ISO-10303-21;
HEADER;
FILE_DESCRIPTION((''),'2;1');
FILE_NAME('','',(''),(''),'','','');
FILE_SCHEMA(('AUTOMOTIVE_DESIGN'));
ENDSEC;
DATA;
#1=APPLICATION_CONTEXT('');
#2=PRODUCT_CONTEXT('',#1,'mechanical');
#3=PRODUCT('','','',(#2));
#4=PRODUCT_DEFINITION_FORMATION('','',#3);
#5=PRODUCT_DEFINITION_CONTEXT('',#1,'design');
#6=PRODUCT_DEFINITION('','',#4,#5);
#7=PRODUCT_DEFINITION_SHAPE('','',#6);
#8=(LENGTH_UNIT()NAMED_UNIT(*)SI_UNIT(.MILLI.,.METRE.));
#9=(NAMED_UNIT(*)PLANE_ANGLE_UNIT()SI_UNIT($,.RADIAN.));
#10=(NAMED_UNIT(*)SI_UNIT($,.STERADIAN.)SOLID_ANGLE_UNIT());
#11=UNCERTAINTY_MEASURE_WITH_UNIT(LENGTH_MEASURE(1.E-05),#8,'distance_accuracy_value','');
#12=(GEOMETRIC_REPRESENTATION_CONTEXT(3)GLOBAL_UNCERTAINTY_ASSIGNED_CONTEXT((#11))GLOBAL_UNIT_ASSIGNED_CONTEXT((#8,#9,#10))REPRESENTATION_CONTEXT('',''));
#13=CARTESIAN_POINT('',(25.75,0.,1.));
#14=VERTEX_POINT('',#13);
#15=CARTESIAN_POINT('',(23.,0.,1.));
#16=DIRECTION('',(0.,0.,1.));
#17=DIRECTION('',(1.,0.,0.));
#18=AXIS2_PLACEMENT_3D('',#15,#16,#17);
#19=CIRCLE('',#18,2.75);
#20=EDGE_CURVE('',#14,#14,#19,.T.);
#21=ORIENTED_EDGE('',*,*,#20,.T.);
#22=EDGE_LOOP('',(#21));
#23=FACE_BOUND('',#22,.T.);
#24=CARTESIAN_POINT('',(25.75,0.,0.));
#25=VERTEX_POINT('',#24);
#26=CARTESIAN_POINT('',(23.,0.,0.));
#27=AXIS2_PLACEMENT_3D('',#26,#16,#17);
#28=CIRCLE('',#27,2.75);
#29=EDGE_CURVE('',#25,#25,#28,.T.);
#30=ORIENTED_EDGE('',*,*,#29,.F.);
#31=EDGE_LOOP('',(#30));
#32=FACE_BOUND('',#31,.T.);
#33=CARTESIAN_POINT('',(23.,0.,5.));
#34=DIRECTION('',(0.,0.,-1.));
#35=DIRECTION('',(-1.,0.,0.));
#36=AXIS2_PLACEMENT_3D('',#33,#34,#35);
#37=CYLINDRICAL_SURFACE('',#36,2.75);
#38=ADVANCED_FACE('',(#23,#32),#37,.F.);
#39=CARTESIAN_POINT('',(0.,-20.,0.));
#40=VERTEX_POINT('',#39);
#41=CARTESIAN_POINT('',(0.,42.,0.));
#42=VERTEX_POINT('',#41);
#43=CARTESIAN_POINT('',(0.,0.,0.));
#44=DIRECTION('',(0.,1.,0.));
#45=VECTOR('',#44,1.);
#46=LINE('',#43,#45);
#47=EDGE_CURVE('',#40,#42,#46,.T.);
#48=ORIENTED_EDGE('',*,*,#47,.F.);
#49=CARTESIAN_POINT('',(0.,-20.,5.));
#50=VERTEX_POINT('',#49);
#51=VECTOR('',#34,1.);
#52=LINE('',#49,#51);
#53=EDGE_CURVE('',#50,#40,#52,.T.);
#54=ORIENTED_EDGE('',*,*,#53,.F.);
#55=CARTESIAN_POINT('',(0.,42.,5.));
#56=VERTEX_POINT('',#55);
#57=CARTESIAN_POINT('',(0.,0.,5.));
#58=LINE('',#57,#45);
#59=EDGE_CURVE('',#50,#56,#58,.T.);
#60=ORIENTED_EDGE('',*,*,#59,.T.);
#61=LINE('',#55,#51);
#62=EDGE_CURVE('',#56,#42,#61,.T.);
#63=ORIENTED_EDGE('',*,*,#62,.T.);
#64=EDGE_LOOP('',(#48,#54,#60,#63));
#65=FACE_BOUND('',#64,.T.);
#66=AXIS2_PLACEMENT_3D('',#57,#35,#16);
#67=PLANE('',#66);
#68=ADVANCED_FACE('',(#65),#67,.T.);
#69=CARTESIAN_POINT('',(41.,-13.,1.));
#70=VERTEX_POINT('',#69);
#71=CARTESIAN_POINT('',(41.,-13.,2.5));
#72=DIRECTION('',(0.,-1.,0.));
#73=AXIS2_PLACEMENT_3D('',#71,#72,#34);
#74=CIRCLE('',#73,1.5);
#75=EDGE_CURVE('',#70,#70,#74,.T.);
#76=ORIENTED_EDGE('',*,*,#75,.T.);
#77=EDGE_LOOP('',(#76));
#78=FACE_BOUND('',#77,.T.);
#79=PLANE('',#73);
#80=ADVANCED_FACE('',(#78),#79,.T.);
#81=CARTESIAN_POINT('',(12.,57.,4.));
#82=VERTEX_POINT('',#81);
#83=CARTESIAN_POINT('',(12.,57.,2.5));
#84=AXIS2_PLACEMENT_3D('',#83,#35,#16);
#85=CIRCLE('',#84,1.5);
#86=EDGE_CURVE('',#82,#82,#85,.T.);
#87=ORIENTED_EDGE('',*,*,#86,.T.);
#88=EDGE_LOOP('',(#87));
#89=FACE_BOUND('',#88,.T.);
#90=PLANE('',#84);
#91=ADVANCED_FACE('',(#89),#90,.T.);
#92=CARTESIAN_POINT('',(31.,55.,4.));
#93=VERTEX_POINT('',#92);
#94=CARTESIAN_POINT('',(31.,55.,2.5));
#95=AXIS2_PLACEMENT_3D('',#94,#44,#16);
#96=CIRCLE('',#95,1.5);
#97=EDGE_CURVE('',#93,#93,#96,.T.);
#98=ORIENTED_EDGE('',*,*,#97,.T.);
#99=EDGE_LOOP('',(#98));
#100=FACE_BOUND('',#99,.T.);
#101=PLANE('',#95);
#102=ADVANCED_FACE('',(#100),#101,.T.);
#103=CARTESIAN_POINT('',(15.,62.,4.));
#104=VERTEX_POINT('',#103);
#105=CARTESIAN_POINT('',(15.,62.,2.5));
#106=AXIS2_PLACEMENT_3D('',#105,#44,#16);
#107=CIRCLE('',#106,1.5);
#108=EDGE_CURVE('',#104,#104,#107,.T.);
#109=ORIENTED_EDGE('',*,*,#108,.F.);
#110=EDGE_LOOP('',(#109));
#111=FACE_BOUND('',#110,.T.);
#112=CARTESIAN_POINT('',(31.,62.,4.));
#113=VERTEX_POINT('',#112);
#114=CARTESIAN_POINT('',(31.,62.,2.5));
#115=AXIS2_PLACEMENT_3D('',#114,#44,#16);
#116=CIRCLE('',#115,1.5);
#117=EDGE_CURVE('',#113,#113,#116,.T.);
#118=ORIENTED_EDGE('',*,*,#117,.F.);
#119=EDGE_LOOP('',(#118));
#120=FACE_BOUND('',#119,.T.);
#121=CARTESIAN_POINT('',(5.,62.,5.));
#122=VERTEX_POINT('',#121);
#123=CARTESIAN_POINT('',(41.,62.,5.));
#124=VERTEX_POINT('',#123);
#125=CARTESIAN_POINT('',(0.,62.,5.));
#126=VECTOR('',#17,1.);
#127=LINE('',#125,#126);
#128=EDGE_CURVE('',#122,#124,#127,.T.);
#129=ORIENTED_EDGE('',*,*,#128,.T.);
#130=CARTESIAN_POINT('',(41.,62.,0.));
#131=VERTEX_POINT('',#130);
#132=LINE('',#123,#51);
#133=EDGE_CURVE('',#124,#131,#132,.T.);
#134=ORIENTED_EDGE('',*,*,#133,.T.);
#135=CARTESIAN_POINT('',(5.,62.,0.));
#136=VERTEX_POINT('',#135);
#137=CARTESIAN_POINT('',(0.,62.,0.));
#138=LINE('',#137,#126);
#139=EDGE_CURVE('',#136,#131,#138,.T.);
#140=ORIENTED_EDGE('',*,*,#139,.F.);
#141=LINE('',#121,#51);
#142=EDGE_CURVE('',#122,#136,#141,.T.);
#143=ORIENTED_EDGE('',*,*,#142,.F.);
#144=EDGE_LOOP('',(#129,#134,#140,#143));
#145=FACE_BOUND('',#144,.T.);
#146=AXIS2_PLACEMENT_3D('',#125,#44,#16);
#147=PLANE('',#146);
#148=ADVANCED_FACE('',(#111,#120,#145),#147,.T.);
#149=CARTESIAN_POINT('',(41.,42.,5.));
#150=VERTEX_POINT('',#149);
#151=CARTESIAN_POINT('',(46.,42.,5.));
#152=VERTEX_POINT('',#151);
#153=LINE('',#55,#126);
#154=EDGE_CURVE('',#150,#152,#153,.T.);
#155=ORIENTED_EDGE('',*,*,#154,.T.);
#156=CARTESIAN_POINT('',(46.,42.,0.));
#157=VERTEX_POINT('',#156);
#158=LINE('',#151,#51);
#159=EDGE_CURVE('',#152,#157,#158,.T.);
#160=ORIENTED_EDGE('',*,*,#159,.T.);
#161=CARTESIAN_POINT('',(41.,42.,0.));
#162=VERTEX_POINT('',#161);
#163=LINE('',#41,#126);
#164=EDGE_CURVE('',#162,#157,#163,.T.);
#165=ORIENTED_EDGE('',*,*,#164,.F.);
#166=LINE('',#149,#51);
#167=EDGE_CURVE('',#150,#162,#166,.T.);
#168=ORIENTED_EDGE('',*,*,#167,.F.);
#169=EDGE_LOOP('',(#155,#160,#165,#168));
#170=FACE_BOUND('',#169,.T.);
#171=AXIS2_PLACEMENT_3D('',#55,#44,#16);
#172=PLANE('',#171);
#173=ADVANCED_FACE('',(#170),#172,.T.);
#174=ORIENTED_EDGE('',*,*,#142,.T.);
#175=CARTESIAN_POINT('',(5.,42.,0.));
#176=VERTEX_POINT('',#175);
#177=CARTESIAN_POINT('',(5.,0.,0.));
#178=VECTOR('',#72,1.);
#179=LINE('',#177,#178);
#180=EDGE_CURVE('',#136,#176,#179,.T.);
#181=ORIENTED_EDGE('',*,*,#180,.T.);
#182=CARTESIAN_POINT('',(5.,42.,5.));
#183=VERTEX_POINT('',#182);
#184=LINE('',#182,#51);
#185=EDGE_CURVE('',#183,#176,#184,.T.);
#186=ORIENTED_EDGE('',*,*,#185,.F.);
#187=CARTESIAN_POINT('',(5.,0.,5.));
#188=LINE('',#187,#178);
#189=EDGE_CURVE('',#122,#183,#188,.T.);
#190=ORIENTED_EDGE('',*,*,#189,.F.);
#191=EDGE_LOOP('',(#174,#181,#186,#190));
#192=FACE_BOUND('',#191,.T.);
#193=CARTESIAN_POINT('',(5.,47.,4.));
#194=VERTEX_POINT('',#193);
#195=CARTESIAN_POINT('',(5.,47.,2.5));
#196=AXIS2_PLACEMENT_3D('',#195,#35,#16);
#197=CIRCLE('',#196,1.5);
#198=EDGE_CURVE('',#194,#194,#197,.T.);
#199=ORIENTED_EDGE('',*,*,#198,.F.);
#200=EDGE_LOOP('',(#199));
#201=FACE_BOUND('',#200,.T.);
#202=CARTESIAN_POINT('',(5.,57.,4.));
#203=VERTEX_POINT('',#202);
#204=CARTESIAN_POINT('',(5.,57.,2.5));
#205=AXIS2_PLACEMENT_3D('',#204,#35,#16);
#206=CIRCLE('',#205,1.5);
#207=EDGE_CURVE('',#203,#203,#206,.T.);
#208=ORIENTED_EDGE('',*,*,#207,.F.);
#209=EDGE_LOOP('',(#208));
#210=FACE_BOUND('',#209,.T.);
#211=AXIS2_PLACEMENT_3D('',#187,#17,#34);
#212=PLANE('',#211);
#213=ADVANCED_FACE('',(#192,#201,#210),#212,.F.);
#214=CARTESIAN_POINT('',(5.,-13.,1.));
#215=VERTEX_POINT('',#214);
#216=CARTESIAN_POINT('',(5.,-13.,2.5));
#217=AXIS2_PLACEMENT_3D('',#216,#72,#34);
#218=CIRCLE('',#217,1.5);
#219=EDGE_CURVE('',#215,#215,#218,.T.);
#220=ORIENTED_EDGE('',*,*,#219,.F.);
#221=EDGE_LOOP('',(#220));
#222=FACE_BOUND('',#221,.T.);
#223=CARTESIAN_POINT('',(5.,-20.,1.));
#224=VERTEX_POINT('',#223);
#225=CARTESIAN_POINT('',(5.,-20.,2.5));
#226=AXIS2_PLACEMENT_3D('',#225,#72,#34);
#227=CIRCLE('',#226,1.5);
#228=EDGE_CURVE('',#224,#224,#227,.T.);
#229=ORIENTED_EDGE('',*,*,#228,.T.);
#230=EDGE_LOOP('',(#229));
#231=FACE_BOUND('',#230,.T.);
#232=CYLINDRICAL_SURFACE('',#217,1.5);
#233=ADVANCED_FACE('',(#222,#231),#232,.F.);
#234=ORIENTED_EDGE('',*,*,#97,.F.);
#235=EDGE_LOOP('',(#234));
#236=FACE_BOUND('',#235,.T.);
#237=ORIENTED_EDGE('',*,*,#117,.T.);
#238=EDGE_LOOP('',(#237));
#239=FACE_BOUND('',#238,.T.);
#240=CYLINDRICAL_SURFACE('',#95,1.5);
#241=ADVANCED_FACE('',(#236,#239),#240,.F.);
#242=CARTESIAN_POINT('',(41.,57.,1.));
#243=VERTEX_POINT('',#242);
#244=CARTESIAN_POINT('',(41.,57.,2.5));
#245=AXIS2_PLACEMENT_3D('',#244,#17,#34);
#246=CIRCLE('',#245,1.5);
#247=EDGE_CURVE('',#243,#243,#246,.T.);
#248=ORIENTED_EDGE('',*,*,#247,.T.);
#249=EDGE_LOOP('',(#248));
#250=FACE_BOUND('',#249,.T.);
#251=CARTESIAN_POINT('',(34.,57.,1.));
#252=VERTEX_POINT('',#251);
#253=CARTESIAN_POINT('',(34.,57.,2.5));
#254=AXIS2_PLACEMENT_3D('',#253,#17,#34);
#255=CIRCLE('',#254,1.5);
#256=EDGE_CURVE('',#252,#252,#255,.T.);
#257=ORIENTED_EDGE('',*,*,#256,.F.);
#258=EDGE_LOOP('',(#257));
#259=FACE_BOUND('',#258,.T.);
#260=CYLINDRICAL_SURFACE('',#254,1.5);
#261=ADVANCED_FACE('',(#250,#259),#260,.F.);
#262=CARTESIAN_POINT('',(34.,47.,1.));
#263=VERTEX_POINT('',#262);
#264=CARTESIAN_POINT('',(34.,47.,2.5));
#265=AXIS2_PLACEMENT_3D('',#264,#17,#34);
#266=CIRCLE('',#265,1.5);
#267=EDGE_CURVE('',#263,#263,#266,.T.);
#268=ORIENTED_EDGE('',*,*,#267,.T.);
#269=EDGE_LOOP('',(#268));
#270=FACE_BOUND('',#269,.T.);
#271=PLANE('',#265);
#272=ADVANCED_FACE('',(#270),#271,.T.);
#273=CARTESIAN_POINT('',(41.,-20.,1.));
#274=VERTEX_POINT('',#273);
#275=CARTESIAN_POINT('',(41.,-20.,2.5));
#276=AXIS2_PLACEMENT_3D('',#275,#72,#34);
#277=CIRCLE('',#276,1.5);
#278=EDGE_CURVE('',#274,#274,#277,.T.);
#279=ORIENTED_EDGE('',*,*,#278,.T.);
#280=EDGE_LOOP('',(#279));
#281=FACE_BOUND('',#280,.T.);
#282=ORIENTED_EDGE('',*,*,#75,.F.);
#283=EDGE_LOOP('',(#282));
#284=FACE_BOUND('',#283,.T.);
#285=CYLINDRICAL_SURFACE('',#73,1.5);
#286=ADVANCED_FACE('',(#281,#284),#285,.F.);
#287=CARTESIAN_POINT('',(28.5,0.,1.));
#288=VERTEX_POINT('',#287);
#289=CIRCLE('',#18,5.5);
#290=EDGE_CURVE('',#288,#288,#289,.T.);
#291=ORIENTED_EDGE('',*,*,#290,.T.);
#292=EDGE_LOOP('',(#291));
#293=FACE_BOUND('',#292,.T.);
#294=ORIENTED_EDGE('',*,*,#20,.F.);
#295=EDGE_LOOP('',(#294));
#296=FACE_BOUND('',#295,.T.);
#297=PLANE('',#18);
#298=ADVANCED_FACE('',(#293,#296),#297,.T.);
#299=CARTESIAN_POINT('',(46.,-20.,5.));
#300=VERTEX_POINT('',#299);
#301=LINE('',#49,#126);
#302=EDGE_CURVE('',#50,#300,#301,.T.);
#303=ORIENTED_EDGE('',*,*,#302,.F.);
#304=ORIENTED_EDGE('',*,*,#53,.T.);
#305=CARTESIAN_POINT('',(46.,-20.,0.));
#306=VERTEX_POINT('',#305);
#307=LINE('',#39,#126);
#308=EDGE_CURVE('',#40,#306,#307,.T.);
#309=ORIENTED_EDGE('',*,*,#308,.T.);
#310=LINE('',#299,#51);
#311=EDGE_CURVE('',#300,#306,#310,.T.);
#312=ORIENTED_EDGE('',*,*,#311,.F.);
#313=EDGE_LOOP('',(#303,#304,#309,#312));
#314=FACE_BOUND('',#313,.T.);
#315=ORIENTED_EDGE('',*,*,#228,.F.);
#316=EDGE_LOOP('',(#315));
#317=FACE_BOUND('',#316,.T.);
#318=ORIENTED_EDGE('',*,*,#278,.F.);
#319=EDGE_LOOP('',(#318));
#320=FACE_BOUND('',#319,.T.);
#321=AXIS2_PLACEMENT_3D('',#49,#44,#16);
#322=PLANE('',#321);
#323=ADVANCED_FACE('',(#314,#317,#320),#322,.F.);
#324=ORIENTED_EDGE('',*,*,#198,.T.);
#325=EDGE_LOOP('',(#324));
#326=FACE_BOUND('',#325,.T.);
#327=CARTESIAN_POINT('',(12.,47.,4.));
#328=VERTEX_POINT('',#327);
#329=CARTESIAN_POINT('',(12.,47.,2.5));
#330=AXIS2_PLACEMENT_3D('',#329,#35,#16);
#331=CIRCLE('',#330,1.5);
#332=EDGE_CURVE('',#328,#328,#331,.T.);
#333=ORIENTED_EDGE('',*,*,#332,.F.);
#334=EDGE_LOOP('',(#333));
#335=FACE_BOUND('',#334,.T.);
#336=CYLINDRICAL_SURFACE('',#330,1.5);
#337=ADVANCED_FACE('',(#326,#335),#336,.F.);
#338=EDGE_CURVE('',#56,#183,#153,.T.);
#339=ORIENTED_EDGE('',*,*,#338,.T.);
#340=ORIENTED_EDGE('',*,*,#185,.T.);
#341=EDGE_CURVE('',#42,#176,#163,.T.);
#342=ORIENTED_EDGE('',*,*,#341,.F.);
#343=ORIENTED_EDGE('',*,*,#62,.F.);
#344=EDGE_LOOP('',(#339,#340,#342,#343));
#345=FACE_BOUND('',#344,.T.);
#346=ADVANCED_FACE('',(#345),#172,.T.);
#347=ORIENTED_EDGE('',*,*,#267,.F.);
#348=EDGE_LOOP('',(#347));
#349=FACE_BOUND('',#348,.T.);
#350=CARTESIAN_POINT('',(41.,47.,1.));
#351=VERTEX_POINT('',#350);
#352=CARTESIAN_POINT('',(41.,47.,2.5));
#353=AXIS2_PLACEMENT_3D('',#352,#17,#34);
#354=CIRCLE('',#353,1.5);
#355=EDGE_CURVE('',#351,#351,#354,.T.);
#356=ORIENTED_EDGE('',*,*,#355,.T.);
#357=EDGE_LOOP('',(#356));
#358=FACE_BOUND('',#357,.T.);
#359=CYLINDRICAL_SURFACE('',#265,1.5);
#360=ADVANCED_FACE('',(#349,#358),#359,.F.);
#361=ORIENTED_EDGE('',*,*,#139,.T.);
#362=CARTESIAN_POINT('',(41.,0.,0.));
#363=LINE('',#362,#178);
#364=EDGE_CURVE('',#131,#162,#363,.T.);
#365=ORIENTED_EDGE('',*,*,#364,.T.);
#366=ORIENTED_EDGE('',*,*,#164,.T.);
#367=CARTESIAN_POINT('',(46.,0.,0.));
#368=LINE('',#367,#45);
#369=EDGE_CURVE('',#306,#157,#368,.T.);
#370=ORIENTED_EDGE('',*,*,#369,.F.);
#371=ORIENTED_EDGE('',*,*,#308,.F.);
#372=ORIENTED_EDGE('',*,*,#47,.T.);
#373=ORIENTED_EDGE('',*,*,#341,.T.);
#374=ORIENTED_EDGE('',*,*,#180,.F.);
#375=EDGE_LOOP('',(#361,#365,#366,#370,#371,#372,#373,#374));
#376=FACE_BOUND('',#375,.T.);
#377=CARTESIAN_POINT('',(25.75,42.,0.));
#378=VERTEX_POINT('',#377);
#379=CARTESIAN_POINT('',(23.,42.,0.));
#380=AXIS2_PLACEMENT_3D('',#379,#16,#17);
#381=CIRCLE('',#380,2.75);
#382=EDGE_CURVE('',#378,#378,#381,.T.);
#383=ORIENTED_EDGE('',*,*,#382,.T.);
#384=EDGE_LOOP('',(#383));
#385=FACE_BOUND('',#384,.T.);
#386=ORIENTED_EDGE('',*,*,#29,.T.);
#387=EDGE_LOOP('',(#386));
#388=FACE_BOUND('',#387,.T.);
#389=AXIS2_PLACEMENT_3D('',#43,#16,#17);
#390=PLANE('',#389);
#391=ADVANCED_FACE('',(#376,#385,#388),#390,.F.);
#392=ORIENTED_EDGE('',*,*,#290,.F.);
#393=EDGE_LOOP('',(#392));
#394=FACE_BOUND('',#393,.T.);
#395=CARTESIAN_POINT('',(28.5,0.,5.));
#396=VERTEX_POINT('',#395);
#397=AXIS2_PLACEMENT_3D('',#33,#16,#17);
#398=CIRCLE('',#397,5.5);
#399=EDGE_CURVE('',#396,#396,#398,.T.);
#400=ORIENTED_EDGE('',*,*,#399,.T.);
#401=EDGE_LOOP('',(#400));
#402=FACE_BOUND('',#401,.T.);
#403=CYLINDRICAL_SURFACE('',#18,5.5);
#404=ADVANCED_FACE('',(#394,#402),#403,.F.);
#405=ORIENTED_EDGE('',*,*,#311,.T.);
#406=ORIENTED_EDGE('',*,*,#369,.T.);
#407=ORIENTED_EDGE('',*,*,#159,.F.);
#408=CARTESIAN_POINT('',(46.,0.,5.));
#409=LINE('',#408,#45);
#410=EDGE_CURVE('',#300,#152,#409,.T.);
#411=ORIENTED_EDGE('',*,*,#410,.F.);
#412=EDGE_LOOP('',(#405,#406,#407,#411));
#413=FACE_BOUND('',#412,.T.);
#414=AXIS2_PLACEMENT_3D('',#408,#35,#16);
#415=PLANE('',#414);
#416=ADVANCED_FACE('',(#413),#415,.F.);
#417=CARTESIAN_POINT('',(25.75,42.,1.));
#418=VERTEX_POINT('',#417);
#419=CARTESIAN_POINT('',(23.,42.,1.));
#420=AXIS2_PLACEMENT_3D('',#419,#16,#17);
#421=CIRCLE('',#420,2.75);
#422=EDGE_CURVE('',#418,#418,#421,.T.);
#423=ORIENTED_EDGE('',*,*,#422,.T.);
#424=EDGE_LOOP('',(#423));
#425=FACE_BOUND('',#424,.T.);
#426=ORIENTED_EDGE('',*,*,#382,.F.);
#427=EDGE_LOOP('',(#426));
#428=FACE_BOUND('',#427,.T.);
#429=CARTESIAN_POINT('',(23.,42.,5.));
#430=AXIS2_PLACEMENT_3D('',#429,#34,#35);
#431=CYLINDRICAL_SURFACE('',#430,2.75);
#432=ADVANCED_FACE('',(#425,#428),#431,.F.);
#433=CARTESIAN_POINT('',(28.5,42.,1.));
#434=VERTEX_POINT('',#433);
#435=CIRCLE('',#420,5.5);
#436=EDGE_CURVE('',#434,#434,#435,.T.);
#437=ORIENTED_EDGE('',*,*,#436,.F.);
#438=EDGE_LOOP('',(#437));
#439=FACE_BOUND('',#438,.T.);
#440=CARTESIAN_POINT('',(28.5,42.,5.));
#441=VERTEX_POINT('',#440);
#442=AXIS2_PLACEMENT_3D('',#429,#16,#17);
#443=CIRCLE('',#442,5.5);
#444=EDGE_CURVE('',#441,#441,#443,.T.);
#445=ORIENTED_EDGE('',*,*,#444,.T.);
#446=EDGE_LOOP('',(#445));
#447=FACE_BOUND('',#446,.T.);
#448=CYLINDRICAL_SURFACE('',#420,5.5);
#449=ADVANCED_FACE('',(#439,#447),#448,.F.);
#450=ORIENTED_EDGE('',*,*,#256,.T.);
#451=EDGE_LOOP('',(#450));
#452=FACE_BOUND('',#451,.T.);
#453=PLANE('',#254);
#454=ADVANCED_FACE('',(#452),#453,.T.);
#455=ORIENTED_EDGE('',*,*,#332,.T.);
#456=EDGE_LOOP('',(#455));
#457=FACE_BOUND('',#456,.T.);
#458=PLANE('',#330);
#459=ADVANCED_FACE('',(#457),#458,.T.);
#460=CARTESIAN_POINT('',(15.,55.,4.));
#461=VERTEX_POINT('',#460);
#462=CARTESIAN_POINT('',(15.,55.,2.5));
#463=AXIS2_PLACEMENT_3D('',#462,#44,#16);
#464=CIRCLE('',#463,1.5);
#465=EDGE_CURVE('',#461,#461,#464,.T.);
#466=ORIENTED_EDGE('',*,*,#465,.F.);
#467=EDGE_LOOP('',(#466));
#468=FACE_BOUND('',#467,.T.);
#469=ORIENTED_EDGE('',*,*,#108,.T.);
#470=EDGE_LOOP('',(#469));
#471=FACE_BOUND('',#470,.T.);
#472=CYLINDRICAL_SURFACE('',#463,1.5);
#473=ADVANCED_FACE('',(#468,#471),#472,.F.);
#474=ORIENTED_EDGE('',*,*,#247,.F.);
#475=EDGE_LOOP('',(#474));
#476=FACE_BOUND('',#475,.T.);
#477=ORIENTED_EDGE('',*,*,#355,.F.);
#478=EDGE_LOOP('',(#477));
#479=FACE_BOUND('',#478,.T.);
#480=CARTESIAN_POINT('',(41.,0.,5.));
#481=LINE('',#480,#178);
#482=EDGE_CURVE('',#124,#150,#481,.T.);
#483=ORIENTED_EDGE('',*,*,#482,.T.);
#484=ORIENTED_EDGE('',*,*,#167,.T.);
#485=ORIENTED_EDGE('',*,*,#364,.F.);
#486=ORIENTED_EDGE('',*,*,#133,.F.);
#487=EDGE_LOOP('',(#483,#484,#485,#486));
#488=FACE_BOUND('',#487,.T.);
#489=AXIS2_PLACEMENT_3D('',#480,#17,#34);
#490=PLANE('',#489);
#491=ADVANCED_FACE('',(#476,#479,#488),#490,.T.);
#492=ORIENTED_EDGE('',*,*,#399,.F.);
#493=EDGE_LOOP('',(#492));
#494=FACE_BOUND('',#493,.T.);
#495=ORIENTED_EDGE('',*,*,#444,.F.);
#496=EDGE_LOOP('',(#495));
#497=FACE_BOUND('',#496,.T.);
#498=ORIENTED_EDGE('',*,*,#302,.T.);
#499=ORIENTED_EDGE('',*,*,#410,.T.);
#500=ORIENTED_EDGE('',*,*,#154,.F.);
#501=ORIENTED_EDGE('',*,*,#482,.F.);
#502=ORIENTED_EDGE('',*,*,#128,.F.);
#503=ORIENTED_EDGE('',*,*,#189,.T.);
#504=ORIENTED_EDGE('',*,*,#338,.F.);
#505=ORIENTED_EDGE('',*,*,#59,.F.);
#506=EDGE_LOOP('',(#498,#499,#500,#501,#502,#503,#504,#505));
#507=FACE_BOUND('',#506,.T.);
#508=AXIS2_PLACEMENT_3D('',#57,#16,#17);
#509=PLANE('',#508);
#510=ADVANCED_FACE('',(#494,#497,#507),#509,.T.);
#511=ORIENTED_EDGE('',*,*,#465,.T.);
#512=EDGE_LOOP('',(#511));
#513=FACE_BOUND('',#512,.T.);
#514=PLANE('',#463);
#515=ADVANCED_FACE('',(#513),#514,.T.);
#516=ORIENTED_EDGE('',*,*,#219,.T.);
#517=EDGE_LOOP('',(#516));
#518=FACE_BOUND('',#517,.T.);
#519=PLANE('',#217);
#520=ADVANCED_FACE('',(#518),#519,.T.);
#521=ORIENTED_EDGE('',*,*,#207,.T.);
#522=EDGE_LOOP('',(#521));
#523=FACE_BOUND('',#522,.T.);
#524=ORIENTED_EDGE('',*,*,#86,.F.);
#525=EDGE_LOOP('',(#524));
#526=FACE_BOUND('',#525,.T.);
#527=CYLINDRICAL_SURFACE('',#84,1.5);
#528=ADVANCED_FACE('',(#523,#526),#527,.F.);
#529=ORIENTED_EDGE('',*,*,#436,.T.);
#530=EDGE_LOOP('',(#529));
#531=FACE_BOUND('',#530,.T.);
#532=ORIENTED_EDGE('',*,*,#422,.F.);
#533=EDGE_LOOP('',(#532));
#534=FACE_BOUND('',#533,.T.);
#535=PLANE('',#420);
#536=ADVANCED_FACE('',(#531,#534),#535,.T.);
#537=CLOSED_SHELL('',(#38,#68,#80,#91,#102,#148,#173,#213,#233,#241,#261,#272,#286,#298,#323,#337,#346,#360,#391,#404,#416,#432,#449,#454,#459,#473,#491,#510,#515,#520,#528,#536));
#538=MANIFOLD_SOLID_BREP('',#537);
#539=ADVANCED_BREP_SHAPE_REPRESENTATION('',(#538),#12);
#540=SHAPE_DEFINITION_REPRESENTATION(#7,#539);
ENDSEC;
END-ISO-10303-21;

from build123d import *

# Parameters (mm, degrees)
SKETCH1_R           = 2.75
BOSS_EXTRUDE1_DEPTH = 5
SKETCH3_R           = 5.5
CUT_EXTRUDE2_DEPTH  = 4
SKETCH5_R           = 1.5
CUT_EXTRUDE3_DEPTH  = 7
SKETCH6_R           = 1.5
CUT_EXTRUDE4_DEPTH  = 7
CUT_EXTRUDE5_START  = -7
SKETCH7_R           = 1.5
CUT_EXTRUDE5_DEPTH  = 7
SKETCH8_R           = 1.5
CUT_EXTRUDE6_DEPTH  = 7


with BuildPart() as part:
    # Sketch1 → Boss-Extrude1 (new body)
    with BuildSketch(Plane.XY):
        Polygon((0, 42), (0, -20), (46, -20), (46, 42), (41, 42), (41, 62), (5, 62), (5, 42), align=None)
        with Locations((23, 42)):
            Circle(SKETCH1_R, mode=Mode.SUBTRACT)
        with Locations((23, 0)):
            Circle(SKETCH1_R, mode=Mode.SUBTRACT)
    extrude(amount=BOSS_EXTRUDE1_DEPTH)

    # Sketch3 → Cut-Extrude2 (cut)
    with BuildSketch(Plane.XY.offset(5)):
        with Locations((23, 42)):
            Circle(SKETCH3_R)
        with Locations((23, 0)):
            Circle(SKETCH3_R)
    extrude(amount=-CUT_EXTRUDE2_DEPTH, mode=Mode.SUBTRACT)

    # Sketch5 → Cut-Extrude3 (cut)
    with BuildSketch(Plane.XZ.offset(20)):
        with Locations(Location((5, 2.5, 0), (0, 0, 270))):
            Circle(SKETCH5_R)
        with Locations(Location((41, 2.5, 0), (0, 0, 270))):
            Circle(SKETCH5_R)
    extrude(amount=-CUT_EXTRUDE3_DEPTH, mode=Mode.SUBTRACT)

    # Sketch6 → Cut-Extrude4 (cut)
    with BuildSketch(Plane.ZY.offset(-5)):
        with Locations((2.5, 47)):
            Circle(SKETCH6_R)
        with Locations((2.5, 57)):
            Circle(SKETCH6_R)
    extrude(amount=-CUT_EXTRUDE4_DEPTH, mode=Mode.SUBTRACT)

    # Sketch7 → Cut-Extrude5 (cut)
    with BuildSketch(Plane(origin=(41, 0, 0), x_dir=(0, 0, -1), z_dir=(1, 0, 0)).offset(CUT_EXTRUDE5_START)):
        with Locations(Location((-2.5, 47, 0), (0, 0, 180))):
            Circle(SKETCH7_R)
        with Locations(Location((-2.5, 57, 0), (0, 0, 180))):
            Circle(SKETCH7_R)
    extrude(amount=CUT_EXTRUDE5_DEPTH, mode=Mode.SUBTRACT)

    # Sketch8 → Cut-Extrude6 (cut)
    with BuildSketch(Plane(origin=(0, 62, 0), x_dir=(1, 0, 0), z_dir=(0, 1, 0))):
        with Locations(Location((15, -2.5, 0), (0, 0, 270))):
            Circle(SKETCH8_R)
        with Locations(Location((31, -2.5, 0), (0, 0, 270))):
            Circle(SKETCH8_R)
    extrude(amount=-CUT_EXTRUDE6_DEPTH, mode=Mode.SUBTRACT)


solid = part.part
